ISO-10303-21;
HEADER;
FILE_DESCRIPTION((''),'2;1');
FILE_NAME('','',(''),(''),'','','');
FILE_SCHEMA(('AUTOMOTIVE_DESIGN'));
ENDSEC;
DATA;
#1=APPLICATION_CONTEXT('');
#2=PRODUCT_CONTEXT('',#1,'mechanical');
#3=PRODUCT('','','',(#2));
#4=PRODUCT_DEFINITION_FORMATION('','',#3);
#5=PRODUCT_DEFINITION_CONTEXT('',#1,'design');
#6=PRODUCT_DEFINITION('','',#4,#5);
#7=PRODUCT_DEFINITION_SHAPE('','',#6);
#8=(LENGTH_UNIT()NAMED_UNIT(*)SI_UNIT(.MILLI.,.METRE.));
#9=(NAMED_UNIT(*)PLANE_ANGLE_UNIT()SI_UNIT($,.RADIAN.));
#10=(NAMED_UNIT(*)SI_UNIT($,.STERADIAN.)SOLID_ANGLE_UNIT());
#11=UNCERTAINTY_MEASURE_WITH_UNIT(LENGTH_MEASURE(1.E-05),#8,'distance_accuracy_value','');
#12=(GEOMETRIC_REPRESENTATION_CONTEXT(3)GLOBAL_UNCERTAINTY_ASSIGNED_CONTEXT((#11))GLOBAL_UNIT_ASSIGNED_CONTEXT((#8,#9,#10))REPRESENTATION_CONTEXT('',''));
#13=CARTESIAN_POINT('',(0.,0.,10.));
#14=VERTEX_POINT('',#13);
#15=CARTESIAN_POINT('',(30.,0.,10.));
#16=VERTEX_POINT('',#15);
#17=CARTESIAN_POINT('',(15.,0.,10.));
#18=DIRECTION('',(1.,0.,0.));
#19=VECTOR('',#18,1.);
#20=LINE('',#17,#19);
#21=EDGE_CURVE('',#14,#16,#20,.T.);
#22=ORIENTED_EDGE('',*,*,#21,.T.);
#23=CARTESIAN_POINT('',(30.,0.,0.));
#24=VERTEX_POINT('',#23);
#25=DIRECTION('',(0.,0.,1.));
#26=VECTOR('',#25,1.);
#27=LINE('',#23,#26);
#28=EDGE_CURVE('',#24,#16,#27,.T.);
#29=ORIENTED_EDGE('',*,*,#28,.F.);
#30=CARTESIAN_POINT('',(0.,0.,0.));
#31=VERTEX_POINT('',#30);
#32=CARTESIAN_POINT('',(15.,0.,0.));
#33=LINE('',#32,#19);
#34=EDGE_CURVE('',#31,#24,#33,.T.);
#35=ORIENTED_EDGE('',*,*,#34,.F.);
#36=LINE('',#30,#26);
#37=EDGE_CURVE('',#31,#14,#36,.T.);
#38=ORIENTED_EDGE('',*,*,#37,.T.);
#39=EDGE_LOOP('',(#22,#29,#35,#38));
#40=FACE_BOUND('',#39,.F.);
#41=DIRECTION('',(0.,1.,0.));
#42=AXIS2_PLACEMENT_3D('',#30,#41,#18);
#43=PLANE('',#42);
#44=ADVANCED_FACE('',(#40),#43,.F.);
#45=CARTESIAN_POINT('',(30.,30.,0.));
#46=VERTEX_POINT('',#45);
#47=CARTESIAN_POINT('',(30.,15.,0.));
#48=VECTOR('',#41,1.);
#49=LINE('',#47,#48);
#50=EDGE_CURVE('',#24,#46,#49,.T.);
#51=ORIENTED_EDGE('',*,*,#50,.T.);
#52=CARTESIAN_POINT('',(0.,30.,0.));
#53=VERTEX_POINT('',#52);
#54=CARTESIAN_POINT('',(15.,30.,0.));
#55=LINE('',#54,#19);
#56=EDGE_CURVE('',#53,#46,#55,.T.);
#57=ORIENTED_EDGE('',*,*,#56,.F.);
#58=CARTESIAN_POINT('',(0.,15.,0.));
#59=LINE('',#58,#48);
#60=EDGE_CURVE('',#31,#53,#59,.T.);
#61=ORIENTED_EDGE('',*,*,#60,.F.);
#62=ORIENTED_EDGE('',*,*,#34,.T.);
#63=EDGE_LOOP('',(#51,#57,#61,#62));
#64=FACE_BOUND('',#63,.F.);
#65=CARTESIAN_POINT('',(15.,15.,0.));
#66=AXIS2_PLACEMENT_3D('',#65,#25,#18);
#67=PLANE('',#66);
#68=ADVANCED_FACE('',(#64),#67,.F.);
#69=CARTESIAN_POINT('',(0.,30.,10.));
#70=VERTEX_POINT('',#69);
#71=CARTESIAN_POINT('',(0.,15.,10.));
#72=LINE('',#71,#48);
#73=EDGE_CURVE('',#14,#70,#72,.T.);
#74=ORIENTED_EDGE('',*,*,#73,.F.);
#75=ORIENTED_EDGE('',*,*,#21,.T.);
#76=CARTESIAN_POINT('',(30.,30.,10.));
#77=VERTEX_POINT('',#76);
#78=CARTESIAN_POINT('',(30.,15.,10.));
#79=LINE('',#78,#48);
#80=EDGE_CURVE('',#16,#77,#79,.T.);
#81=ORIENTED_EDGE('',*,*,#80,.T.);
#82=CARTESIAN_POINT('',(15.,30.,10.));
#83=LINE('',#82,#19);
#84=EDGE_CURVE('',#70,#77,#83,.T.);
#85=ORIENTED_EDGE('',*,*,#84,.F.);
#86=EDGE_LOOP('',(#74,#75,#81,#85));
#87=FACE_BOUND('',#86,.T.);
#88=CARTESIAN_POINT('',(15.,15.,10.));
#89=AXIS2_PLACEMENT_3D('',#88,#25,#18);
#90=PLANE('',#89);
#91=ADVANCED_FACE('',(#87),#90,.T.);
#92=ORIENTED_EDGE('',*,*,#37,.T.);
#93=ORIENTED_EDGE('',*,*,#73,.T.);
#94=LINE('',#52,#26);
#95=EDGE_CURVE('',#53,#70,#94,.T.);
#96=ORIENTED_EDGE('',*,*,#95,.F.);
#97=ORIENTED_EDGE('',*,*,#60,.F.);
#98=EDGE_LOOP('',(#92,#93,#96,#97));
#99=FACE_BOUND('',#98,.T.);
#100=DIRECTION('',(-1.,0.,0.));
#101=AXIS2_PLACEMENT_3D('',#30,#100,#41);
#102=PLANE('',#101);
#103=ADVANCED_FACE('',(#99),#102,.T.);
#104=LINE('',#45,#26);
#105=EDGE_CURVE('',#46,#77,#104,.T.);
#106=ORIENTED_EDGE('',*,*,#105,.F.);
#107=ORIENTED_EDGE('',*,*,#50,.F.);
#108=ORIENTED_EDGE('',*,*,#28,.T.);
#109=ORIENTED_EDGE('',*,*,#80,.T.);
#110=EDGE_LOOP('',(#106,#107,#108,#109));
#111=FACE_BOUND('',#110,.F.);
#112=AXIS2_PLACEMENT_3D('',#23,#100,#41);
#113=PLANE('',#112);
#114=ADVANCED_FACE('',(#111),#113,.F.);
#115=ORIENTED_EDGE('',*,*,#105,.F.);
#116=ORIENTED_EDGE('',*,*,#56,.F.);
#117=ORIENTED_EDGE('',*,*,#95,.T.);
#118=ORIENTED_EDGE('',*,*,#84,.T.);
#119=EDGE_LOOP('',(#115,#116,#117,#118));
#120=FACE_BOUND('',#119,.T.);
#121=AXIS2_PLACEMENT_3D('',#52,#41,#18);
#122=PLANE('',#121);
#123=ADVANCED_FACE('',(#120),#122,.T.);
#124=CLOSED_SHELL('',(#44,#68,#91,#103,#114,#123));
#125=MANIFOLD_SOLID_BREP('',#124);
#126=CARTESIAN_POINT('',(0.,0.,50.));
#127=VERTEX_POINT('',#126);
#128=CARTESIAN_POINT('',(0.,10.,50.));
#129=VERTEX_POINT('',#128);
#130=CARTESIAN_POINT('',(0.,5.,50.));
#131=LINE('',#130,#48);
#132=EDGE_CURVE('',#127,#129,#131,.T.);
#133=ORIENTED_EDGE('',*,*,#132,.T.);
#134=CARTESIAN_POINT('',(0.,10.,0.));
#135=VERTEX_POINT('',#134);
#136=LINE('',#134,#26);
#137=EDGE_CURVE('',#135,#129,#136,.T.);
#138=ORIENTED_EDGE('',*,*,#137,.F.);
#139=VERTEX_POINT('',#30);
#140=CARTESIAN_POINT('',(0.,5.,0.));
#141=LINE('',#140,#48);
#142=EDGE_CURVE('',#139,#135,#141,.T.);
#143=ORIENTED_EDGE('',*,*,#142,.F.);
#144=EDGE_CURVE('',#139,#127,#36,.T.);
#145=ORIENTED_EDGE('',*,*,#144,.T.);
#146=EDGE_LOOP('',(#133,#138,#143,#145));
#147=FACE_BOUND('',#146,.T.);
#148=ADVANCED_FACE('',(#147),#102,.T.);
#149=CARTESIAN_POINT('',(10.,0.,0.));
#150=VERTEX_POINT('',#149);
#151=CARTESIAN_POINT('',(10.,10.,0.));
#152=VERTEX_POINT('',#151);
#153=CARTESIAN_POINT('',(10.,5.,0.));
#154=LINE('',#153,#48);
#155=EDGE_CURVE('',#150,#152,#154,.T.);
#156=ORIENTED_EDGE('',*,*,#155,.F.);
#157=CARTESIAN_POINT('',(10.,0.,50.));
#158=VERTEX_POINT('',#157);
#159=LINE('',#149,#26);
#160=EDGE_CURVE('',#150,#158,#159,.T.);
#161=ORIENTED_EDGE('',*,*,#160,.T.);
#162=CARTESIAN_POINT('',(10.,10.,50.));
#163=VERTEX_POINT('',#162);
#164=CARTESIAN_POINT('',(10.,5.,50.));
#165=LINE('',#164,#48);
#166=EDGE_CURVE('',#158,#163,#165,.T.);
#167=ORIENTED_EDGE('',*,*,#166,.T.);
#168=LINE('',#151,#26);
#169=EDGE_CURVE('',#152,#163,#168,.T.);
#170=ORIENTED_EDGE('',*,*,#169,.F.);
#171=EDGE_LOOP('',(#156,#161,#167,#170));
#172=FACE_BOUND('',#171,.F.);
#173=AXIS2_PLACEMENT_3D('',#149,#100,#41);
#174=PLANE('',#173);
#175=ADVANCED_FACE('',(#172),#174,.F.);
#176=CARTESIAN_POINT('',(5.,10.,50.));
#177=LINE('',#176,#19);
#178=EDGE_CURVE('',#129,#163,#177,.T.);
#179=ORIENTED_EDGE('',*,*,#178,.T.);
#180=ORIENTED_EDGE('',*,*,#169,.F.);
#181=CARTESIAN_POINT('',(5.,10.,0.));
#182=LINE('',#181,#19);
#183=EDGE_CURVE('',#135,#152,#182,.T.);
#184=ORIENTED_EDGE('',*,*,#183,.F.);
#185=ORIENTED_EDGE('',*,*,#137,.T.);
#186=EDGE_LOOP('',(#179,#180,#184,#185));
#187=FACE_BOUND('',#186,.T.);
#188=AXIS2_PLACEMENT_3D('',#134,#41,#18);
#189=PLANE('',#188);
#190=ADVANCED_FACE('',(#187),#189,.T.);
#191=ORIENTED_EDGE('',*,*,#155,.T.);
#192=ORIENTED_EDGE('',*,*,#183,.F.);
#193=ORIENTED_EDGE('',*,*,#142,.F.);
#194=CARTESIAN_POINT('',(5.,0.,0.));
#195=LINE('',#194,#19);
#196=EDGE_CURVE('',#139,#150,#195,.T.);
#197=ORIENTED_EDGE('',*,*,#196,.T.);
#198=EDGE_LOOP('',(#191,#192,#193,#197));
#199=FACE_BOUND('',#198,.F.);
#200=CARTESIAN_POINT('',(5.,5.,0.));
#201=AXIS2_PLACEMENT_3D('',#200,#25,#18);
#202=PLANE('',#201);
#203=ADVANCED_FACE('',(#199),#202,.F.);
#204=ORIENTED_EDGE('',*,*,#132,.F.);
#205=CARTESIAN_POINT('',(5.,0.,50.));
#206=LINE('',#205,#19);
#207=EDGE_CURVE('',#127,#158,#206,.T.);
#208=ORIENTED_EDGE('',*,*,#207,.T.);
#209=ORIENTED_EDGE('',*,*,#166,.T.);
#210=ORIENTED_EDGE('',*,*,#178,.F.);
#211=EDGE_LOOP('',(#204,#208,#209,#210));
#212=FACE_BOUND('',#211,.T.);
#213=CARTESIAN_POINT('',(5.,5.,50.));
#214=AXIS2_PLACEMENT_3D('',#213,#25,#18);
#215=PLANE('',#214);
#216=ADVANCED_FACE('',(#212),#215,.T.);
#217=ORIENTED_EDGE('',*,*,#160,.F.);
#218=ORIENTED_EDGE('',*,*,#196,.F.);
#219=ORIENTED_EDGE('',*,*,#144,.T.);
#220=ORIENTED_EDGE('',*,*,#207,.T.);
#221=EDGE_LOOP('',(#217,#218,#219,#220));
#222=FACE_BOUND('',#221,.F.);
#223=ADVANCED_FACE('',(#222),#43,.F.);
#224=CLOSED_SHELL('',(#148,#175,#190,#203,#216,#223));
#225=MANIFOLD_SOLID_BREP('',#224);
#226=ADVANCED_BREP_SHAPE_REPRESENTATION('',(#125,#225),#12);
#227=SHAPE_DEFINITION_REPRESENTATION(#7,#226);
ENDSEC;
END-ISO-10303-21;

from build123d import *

# Parameters (mm, degrees)
BOX_W        = 30
BOX_H        = 30
BOX_DEPTH    = 10
BOX001_W     = 10
BOX001_H     = 10
BOX001_DEPTH = 50


with BuildPart() as cube01:
    # Box → Box (new body)
    with BuildSketch(Plane.XY):
        with Locations((15, 15)):
            Rectangle(BOX_W, BOX_H)
    extrude(amount=BOX_DEPTH)


with BuildPart() as cubo02:
    # Box001 → Box001 (new body)
    with BuildSketch(Plane.XY):
        with Locations((5, 5)):
            Rectangle(BOX001_W, BOX001_H)
    extrude(amount=BOX001_DEPTH)


solid = Compound([cube01.part, cubo02.part])
